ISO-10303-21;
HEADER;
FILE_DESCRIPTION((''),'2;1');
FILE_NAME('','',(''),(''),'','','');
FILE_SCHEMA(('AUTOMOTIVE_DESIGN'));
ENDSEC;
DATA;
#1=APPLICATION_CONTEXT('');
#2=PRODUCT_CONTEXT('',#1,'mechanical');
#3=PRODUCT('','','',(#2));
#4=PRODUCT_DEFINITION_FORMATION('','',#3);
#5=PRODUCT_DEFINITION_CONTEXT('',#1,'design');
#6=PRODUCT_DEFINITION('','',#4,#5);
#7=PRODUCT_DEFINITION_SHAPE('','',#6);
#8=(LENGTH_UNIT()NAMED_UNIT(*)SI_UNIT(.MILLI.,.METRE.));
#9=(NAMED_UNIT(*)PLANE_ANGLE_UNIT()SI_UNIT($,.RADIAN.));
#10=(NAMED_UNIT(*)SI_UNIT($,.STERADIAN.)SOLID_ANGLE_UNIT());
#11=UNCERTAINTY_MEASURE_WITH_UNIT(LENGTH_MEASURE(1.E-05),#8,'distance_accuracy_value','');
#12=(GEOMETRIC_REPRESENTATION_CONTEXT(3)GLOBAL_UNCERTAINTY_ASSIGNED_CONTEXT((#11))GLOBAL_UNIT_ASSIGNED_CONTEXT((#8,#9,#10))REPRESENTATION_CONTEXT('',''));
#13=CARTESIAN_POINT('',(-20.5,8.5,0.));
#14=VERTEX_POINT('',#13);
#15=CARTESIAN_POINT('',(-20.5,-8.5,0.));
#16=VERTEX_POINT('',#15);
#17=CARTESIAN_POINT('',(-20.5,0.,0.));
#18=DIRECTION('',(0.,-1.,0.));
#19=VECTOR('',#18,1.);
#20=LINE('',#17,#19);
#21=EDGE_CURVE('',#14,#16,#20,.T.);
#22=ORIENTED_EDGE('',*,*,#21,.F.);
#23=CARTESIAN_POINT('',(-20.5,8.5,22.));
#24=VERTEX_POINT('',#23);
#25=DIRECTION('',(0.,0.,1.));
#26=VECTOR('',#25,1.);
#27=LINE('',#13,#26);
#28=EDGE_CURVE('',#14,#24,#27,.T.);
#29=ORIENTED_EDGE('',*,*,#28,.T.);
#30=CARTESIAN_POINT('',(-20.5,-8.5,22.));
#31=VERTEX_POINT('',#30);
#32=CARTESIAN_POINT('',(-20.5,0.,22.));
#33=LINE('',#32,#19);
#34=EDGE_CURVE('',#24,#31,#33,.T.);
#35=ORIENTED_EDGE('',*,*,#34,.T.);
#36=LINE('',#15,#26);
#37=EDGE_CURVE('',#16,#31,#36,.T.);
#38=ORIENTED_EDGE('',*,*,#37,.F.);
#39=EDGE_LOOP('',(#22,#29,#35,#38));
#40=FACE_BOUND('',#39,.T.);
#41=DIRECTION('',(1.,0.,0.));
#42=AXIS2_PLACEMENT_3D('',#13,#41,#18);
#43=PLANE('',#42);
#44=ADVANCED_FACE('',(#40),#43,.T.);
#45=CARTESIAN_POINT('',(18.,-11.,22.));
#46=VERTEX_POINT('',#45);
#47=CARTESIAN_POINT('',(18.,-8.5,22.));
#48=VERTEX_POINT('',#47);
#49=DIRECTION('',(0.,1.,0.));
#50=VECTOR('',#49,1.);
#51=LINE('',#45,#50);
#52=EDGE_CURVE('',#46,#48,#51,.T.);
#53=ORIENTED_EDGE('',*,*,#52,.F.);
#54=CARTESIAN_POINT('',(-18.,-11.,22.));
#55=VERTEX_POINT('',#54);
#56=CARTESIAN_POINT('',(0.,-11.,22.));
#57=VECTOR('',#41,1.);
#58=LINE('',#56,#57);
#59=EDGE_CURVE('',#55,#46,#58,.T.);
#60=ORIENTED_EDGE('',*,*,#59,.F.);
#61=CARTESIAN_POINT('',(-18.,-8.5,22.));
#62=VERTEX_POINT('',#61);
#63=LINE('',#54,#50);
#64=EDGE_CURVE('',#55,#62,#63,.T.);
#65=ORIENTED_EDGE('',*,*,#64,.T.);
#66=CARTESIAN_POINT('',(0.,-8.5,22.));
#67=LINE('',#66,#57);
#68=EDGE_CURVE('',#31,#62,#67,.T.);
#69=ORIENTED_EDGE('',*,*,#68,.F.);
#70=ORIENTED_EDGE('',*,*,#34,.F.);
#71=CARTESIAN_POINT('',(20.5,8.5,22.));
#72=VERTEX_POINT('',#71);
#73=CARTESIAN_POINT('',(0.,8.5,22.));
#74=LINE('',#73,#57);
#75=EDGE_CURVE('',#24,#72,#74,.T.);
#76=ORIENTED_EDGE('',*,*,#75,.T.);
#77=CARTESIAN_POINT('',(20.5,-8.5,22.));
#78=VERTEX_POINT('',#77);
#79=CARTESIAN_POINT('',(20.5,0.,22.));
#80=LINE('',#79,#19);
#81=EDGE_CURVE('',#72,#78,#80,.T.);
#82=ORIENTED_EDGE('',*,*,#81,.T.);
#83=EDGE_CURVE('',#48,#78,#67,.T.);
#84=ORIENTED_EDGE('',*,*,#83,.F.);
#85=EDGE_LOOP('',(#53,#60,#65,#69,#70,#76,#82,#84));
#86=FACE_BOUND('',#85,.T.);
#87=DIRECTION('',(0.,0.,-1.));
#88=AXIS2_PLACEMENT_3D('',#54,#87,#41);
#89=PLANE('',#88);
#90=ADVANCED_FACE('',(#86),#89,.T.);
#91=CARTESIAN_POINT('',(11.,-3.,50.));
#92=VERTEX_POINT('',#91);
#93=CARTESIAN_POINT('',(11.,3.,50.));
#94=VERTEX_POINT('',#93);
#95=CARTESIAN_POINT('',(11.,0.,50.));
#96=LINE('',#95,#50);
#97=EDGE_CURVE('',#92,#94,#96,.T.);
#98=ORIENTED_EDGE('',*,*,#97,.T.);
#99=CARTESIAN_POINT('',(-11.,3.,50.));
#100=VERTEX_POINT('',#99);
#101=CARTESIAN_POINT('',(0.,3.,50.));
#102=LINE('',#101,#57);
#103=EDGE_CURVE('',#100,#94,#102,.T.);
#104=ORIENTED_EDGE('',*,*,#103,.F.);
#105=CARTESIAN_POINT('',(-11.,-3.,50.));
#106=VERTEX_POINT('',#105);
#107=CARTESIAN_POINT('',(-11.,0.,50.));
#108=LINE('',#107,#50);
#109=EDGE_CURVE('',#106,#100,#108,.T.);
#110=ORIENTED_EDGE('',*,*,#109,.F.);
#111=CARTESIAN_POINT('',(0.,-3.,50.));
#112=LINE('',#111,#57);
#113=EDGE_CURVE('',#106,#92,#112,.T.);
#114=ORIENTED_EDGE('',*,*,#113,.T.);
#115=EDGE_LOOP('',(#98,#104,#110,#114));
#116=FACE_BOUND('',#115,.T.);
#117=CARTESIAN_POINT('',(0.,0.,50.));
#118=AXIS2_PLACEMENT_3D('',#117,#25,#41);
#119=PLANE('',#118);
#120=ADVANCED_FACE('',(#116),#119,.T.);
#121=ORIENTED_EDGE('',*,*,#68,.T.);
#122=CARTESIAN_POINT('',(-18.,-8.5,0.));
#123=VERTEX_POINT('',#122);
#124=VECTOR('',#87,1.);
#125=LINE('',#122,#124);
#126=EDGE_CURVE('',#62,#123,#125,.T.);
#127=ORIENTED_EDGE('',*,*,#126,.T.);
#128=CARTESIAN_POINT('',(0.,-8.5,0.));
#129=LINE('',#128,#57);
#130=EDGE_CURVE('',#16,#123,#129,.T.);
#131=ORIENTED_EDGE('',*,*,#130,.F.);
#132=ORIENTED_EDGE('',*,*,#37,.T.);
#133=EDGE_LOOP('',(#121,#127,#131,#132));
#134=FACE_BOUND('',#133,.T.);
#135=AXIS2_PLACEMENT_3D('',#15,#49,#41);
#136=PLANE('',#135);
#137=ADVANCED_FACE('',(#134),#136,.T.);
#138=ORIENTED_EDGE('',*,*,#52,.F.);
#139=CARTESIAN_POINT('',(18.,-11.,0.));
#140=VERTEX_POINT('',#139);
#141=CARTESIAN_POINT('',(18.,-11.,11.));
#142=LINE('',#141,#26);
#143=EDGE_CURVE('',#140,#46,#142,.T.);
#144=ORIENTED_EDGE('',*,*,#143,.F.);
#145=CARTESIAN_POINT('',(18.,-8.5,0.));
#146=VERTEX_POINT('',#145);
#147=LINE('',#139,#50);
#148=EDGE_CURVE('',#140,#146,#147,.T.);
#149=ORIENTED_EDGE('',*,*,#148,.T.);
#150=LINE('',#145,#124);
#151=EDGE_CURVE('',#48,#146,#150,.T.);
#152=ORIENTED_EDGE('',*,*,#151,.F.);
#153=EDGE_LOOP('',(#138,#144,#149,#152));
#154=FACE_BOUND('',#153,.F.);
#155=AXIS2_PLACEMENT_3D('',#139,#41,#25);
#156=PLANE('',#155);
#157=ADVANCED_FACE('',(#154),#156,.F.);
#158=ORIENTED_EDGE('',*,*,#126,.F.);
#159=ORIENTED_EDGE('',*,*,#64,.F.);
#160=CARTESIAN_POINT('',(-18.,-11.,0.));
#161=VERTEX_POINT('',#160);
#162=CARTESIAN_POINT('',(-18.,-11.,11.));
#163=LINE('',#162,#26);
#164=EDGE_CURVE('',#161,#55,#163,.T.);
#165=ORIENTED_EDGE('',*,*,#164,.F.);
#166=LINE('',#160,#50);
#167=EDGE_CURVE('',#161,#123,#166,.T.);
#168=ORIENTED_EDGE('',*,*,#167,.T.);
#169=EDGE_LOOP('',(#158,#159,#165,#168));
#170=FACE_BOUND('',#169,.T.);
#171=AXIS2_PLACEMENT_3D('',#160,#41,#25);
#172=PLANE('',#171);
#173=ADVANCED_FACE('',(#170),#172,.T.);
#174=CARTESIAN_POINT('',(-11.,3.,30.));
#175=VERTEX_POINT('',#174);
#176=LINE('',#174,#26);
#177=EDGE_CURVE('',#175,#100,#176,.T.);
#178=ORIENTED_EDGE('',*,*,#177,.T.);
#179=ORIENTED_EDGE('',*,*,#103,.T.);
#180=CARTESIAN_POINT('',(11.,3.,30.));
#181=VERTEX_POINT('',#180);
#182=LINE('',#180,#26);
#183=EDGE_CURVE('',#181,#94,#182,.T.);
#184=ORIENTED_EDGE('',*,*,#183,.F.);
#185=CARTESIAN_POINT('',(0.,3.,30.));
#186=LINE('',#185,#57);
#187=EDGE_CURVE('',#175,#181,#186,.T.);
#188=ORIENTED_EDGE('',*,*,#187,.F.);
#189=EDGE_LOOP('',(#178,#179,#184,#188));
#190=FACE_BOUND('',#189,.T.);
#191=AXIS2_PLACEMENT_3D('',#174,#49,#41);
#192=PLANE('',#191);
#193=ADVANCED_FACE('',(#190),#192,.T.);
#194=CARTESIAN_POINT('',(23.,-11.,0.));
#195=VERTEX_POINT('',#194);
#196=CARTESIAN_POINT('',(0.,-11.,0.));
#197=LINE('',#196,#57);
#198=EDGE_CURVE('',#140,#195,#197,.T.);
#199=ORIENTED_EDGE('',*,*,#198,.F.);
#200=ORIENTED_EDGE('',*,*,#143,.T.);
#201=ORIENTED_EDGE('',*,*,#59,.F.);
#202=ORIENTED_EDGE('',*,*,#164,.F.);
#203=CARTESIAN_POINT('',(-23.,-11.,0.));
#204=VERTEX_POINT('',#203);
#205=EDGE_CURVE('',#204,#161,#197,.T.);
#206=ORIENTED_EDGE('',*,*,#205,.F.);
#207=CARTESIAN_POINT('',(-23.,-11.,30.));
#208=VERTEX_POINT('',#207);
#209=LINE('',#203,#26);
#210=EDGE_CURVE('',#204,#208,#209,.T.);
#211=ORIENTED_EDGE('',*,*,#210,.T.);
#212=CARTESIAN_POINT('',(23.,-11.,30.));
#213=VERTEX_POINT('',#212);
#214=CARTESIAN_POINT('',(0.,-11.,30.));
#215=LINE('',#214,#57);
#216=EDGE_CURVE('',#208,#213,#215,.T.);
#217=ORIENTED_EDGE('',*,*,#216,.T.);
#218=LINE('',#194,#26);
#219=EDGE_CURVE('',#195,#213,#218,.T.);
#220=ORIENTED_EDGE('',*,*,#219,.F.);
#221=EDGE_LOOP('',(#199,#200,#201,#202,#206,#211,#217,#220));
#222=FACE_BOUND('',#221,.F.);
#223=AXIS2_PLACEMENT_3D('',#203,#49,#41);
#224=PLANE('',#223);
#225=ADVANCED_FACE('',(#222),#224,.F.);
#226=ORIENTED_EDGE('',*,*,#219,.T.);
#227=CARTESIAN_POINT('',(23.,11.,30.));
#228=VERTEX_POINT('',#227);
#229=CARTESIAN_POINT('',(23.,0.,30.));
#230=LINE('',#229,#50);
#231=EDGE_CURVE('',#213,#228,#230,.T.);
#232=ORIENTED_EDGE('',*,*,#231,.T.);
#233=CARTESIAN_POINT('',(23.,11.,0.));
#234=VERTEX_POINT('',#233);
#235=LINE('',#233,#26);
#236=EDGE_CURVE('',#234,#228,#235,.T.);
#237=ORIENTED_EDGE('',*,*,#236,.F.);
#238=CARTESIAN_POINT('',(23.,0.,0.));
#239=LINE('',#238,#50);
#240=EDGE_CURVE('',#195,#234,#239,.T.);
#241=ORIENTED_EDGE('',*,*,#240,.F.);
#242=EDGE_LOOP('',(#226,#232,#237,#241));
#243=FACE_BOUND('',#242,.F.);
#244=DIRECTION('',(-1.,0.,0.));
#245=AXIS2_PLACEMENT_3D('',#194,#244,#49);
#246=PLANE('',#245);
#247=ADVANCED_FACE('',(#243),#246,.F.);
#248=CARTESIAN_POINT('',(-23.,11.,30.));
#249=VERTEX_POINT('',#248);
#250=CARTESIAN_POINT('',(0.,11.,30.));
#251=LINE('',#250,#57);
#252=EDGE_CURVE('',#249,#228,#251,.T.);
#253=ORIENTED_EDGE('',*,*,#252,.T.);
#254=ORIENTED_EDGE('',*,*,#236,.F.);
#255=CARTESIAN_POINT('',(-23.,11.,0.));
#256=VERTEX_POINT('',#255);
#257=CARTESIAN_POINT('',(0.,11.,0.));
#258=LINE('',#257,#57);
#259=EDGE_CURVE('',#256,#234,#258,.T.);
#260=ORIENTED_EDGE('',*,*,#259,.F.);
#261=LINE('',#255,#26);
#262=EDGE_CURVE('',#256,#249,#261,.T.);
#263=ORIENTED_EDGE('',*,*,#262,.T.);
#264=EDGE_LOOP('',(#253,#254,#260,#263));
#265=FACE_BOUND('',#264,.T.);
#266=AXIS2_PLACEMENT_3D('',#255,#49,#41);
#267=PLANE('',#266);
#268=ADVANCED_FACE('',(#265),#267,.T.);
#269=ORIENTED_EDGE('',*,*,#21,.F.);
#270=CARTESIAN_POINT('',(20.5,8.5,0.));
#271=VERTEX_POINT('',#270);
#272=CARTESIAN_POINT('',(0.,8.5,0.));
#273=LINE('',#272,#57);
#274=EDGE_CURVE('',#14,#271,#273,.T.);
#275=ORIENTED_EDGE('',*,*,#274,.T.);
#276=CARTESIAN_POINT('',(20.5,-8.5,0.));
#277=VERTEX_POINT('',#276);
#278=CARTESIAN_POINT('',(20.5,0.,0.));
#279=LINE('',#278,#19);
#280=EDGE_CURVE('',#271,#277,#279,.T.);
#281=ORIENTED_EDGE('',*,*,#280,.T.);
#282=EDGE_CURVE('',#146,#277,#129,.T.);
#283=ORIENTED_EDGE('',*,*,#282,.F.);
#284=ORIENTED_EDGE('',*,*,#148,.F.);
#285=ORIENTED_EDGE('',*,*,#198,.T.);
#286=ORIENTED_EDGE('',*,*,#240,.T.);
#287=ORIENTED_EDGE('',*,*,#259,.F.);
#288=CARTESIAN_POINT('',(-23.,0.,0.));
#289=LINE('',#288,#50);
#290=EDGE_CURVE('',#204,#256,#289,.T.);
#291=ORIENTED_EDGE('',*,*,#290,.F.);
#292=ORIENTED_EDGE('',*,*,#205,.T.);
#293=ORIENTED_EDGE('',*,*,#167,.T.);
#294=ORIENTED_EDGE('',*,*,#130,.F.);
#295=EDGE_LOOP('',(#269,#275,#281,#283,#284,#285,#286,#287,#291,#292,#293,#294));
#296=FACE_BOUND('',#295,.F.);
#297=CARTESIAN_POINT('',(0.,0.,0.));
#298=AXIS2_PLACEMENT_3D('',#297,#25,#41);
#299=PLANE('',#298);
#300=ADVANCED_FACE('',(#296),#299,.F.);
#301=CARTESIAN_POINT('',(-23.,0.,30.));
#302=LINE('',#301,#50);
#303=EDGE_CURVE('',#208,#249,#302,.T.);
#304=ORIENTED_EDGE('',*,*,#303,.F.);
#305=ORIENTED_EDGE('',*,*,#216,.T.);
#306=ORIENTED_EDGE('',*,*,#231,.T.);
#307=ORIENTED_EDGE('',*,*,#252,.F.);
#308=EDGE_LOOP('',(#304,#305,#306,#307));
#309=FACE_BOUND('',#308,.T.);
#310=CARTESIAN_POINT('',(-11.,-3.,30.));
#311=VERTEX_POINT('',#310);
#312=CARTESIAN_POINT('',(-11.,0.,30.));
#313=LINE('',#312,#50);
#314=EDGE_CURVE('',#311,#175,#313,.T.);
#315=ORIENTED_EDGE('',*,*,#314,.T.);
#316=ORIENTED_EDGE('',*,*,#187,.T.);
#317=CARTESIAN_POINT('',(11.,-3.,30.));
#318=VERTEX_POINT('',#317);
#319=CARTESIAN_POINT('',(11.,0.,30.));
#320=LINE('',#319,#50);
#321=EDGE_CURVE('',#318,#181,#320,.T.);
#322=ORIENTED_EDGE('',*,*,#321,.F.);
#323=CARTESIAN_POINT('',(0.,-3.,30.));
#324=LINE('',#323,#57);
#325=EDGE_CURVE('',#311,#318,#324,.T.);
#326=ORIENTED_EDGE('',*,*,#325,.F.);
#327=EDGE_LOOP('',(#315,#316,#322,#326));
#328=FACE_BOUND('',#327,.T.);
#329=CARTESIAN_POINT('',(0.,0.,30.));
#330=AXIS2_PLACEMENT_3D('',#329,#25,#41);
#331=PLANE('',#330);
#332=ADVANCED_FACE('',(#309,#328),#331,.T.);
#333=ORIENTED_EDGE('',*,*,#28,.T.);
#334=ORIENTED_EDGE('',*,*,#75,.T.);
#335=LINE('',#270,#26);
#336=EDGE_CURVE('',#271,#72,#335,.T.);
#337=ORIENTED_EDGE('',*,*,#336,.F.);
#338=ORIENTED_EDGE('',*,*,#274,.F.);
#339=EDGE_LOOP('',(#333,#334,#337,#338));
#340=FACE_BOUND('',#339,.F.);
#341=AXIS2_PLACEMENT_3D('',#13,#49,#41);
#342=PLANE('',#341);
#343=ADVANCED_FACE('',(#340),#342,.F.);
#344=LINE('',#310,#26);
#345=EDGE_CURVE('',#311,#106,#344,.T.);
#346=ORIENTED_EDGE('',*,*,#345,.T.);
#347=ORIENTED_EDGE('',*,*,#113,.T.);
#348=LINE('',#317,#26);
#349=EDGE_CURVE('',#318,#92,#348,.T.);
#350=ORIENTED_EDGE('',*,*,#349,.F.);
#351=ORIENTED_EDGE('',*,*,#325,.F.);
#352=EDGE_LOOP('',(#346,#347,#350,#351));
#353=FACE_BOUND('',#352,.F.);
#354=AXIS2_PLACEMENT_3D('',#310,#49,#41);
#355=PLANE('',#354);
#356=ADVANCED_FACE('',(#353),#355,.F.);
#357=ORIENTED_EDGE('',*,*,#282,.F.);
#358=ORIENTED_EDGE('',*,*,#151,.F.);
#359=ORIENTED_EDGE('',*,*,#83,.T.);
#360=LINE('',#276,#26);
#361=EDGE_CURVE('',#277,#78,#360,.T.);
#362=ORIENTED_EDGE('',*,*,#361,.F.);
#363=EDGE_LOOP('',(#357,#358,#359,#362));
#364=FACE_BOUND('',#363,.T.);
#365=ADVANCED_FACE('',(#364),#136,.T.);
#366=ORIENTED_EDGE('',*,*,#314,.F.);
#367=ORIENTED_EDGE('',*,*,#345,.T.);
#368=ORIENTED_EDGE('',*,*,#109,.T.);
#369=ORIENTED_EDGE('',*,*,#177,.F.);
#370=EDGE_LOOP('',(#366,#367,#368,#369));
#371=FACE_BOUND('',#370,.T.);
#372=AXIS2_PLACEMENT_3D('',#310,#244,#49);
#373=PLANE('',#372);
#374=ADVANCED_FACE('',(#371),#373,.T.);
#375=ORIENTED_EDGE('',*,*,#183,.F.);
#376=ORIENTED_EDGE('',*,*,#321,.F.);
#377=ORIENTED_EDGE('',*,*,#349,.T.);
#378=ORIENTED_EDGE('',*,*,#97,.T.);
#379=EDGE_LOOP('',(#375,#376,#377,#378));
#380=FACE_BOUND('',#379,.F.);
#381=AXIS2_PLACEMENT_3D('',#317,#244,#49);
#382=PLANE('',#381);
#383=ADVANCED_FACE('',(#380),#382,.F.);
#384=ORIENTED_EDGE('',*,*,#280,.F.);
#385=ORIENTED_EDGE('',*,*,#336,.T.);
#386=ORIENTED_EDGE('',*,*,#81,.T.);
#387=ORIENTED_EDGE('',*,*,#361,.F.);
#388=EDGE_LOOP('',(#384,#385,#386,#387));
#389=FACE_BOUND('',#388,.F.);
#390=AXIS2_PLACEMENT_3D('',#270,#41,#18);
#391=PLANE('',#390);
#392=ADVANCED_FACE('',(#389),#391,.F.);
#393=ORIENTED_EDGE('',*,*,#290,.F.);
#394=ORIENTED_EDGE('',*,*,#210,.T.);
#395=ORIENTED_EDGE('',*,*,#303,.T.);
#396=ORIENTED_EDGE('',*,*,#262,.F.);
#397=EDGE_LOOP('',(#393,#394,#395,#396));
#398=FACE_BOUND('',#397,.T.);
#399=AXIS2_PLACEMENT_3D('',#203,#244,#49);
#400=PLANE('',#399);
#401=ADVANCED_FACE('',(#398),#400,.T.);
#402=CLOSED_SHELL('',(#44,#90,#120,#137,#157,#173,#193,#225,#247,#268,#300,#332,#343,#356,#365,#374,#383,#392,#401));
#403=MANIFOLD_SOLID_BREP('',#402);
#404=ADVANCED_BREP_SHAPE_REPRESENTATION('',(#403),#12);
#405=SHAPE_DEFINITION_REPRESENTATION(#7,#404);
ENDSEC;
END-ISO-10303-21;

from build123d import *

# Parameters (mm, degrees)
F0_W     = 46
F0_H     = 22
F1_DEPTH = 30
F2_W     = 41
F2_H     = 17
F3_DEPTH = 22
F4_W     = 36
F4_H     = 22
F5_DEPTH = 4
F6_W     = 22
F6_H     = 6
F7_DEPTH = 20


with BuildPart() as f1:
    # F0 (on Top) → F1 (new body)
    with BuildSketch(Plane.XY):
        Rectangle(F0_W, F0_H)
    extrude(amount=F1_DEPTH)

    # F2 (on face) → F3 (cut)
    with BuildSketch(Plane(origin=(0, 0, 0), x_dir=(1, 0, 0), z_dir=(0, 0, -1))):
        Rectangle(F2_W, F2_H)
    extrude(amount=-F3_DEPTH, mode=Mode.SUBTRACT)

    # F4 (on face) → F5 (cut)
    with BuildSketch(Plane.XZ.offset(11)):
        with Locations((0, 11)):
            Rectangle(F4_W, F4_H)
    extrude(amount=-F5_DEPTH, mode=Mode.SUBTRACT)

    # F6 (on face) → F7 (join)
    with BuildSketch(Plane.XY.offset(30)):
        Rectangle(F6_W, F6_H)
    extrude(amount=F7_DEPTH)


solid = f1.part
